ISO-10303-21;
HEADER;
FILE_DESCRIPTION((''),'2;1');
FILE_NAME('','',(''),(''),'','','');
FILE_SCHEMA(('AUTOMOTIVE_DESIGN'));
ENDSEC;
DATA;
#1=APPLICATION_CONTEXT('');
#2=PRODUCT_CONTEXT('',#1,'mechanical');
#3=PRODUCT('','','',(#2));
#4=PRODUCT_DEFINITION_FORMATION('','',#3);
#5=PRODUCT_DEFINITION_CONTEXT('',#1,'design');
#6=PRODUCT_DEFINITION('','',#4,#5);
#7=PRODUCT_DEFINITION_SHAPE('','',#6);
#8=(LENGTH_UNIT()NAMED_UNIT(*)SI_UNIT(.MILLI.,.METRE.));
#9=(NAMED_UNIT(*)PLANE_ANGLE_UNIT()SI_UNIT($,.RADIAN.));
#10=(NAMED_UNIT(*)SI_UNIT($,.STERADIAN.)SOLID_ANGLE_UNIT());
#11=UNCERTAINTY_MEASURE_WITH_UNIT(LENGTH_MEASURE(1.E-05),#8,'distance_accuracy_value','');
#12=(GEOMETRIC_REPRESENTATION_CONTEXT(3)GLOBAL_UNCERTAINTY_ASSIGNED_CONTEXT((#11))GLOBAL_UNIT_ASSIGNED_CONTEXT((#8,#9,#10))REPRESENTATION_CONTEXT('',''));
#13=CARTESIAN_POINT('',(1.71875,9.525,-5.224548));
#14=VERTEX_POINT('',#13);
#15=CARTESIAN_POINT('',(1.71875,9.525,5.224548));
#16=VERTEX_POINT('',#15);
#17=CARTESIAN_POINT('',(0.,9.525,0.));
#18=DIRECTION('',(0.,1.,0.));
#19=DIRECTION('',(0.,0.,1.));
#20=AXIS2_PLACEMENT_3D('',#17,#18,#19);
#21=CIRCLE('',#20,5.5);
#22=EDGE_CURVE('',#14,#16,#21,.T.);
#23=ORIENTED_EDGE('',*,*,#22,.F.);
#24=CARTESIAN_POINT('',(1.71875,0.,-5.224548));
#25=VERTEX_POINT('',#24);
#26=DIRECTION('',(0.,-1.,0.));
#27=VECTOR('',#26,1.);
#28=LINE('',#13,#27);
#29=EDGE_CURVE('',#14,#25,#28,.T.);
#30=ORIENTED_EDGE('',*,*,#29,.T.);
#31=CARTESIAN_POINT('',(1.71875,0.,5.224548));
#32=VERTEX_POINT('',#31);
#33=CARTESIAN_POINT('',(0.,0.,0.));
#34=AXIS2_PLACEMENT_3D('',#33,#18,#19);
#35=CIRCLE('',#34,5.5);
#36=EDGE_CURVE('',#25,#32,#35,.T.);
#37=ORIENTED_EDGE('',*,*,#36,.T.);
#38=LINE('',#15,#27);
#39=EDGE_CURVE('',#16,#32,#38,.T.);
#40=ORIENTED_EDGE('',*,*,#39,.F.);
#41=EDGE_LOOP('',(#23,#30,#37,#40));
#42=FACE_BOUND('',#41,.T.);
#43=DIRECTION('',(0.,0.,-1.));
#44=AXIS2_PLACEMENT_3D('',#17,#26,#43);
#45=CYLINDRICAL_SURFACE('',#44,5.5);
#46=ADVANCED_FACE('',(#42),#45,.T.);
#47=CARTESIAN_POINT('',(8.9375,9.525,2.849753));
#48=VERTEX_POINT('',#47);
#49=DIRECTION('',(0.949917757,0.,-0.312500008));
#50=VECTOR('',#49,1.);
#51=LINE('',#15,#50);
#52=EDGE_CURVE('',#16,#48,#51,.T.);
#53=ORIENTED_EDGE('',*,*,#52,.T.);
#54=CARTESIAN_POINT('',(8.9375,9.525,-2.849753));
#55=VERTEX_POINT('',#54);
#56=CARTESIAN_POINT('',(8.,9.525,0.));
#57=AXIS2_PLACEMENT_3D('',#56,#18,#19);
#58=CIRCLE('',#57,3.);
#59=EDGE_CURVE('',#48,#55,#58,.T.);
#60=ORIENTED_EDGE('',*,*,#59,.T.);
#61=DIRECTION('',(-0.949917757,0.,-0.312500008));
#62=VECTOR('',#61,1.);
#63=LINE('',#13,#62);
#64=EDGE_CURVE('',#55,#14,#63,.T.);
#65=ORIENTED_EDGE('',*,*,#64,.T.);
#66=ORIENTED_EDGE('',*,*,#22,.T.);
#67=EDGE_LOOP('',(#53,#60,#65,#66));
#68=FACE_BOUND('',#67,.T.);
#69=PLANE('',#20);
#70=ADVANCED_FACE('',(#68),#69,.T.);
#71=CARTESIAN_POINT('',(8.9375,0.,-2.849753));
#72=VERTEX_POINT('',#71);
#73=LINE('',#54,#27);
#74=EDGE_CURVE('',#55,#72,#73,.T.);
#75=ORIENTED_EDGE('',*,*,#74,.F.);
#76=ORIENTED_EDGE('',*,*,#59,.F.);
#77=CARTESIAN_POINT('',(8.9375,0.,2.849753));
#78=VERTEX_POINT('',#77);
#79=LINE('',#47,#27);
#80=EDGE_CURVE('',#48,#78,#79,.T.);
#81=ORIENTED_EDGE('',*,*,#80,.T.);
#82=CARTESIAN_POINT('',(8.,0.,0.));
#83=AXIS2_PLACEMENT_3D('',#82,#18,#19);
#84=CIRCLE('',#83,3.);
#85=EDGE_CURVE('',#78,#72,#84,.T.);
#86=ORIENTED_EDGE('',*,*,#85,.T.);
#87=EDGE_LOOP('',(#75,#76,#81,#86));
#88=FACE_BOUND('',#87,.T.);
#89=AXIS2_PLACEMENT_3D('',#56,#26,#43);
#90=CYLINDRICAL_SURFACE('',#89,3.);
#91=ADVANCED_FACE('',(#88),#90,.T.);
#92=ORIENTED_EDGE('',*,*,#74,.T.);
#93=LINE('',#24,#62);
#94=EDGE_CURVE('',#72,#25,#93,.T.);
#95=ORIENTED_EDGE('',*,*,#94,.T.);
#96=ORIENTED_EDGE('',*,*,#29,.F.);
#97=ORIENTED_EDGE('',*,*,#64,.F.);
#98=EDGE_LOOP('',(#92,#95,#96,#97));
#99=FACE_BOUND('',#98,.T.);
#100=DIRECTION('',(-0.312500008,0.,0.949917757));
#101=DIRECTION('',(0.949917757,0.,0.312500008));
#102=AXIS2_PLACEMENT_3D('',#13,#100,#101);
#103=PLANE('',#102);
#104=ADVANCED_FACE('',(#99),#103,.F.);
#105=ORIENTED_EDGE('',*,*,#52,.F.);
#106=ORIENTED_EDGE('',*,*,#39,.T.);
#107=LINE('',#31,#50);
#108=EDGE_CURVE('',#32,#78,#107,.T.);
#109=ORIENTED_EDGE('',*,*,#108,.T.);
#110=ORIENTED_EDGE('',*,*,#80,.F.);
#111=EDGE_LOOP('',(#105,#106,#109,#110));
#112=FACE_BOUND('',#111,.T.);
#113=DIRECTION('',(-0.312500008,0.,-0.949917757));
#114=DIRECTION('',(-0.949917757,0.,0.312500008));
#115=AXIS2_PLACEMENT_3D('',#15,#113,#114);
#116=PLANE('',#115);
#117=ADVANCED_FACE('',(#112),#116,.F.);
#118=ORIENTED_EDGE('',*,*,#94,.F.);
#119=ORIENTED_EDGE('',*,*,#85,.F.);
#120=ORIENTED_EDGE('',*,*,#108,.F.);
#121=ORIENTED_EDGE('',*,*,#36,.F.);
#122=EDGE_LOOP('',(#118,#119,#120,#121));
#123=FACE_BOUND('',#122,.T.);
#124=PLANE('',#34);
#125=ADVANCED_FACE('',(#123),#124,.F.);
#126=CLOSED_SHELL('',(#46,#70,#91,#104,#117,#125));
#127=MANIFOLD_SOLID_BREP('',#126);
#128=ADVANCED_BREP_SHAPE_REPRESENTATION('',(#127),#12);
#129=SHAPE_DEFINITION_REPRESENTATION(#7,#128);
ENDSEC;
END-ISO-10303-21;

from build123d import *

# Parameters (mm, degrees)
BOSS_EXTRUDE1_DEPTH = 9.525


with BuildPart() as part:
    # Sketch1 → Boss-Extrude1 (new body)
    with BuildSketch(Plane(origin=(0, 0, 0), x_dir=(1, 0, 0), z_dir=(0, 1, 0))):
        with BuildLine():
            Line((1.71875006, 5.22454771), (8.937499975, 2.849753271))
            ThreePointArc((8.937499975, 2.849753271), (10.999999951, 0), (8.937499975, -2.849753271))
            Line((8.937499975, -2.849753271), (1.71875006, -5.22454771))
            ThreePointArc((1.71875006, -5.22454771), (-5.500000049, 0), (1.71875006, 5.22454771))
        make_face()
    extrude(amount=BOSS_EXTRUDE1_DEPTH)


solid = part.part
